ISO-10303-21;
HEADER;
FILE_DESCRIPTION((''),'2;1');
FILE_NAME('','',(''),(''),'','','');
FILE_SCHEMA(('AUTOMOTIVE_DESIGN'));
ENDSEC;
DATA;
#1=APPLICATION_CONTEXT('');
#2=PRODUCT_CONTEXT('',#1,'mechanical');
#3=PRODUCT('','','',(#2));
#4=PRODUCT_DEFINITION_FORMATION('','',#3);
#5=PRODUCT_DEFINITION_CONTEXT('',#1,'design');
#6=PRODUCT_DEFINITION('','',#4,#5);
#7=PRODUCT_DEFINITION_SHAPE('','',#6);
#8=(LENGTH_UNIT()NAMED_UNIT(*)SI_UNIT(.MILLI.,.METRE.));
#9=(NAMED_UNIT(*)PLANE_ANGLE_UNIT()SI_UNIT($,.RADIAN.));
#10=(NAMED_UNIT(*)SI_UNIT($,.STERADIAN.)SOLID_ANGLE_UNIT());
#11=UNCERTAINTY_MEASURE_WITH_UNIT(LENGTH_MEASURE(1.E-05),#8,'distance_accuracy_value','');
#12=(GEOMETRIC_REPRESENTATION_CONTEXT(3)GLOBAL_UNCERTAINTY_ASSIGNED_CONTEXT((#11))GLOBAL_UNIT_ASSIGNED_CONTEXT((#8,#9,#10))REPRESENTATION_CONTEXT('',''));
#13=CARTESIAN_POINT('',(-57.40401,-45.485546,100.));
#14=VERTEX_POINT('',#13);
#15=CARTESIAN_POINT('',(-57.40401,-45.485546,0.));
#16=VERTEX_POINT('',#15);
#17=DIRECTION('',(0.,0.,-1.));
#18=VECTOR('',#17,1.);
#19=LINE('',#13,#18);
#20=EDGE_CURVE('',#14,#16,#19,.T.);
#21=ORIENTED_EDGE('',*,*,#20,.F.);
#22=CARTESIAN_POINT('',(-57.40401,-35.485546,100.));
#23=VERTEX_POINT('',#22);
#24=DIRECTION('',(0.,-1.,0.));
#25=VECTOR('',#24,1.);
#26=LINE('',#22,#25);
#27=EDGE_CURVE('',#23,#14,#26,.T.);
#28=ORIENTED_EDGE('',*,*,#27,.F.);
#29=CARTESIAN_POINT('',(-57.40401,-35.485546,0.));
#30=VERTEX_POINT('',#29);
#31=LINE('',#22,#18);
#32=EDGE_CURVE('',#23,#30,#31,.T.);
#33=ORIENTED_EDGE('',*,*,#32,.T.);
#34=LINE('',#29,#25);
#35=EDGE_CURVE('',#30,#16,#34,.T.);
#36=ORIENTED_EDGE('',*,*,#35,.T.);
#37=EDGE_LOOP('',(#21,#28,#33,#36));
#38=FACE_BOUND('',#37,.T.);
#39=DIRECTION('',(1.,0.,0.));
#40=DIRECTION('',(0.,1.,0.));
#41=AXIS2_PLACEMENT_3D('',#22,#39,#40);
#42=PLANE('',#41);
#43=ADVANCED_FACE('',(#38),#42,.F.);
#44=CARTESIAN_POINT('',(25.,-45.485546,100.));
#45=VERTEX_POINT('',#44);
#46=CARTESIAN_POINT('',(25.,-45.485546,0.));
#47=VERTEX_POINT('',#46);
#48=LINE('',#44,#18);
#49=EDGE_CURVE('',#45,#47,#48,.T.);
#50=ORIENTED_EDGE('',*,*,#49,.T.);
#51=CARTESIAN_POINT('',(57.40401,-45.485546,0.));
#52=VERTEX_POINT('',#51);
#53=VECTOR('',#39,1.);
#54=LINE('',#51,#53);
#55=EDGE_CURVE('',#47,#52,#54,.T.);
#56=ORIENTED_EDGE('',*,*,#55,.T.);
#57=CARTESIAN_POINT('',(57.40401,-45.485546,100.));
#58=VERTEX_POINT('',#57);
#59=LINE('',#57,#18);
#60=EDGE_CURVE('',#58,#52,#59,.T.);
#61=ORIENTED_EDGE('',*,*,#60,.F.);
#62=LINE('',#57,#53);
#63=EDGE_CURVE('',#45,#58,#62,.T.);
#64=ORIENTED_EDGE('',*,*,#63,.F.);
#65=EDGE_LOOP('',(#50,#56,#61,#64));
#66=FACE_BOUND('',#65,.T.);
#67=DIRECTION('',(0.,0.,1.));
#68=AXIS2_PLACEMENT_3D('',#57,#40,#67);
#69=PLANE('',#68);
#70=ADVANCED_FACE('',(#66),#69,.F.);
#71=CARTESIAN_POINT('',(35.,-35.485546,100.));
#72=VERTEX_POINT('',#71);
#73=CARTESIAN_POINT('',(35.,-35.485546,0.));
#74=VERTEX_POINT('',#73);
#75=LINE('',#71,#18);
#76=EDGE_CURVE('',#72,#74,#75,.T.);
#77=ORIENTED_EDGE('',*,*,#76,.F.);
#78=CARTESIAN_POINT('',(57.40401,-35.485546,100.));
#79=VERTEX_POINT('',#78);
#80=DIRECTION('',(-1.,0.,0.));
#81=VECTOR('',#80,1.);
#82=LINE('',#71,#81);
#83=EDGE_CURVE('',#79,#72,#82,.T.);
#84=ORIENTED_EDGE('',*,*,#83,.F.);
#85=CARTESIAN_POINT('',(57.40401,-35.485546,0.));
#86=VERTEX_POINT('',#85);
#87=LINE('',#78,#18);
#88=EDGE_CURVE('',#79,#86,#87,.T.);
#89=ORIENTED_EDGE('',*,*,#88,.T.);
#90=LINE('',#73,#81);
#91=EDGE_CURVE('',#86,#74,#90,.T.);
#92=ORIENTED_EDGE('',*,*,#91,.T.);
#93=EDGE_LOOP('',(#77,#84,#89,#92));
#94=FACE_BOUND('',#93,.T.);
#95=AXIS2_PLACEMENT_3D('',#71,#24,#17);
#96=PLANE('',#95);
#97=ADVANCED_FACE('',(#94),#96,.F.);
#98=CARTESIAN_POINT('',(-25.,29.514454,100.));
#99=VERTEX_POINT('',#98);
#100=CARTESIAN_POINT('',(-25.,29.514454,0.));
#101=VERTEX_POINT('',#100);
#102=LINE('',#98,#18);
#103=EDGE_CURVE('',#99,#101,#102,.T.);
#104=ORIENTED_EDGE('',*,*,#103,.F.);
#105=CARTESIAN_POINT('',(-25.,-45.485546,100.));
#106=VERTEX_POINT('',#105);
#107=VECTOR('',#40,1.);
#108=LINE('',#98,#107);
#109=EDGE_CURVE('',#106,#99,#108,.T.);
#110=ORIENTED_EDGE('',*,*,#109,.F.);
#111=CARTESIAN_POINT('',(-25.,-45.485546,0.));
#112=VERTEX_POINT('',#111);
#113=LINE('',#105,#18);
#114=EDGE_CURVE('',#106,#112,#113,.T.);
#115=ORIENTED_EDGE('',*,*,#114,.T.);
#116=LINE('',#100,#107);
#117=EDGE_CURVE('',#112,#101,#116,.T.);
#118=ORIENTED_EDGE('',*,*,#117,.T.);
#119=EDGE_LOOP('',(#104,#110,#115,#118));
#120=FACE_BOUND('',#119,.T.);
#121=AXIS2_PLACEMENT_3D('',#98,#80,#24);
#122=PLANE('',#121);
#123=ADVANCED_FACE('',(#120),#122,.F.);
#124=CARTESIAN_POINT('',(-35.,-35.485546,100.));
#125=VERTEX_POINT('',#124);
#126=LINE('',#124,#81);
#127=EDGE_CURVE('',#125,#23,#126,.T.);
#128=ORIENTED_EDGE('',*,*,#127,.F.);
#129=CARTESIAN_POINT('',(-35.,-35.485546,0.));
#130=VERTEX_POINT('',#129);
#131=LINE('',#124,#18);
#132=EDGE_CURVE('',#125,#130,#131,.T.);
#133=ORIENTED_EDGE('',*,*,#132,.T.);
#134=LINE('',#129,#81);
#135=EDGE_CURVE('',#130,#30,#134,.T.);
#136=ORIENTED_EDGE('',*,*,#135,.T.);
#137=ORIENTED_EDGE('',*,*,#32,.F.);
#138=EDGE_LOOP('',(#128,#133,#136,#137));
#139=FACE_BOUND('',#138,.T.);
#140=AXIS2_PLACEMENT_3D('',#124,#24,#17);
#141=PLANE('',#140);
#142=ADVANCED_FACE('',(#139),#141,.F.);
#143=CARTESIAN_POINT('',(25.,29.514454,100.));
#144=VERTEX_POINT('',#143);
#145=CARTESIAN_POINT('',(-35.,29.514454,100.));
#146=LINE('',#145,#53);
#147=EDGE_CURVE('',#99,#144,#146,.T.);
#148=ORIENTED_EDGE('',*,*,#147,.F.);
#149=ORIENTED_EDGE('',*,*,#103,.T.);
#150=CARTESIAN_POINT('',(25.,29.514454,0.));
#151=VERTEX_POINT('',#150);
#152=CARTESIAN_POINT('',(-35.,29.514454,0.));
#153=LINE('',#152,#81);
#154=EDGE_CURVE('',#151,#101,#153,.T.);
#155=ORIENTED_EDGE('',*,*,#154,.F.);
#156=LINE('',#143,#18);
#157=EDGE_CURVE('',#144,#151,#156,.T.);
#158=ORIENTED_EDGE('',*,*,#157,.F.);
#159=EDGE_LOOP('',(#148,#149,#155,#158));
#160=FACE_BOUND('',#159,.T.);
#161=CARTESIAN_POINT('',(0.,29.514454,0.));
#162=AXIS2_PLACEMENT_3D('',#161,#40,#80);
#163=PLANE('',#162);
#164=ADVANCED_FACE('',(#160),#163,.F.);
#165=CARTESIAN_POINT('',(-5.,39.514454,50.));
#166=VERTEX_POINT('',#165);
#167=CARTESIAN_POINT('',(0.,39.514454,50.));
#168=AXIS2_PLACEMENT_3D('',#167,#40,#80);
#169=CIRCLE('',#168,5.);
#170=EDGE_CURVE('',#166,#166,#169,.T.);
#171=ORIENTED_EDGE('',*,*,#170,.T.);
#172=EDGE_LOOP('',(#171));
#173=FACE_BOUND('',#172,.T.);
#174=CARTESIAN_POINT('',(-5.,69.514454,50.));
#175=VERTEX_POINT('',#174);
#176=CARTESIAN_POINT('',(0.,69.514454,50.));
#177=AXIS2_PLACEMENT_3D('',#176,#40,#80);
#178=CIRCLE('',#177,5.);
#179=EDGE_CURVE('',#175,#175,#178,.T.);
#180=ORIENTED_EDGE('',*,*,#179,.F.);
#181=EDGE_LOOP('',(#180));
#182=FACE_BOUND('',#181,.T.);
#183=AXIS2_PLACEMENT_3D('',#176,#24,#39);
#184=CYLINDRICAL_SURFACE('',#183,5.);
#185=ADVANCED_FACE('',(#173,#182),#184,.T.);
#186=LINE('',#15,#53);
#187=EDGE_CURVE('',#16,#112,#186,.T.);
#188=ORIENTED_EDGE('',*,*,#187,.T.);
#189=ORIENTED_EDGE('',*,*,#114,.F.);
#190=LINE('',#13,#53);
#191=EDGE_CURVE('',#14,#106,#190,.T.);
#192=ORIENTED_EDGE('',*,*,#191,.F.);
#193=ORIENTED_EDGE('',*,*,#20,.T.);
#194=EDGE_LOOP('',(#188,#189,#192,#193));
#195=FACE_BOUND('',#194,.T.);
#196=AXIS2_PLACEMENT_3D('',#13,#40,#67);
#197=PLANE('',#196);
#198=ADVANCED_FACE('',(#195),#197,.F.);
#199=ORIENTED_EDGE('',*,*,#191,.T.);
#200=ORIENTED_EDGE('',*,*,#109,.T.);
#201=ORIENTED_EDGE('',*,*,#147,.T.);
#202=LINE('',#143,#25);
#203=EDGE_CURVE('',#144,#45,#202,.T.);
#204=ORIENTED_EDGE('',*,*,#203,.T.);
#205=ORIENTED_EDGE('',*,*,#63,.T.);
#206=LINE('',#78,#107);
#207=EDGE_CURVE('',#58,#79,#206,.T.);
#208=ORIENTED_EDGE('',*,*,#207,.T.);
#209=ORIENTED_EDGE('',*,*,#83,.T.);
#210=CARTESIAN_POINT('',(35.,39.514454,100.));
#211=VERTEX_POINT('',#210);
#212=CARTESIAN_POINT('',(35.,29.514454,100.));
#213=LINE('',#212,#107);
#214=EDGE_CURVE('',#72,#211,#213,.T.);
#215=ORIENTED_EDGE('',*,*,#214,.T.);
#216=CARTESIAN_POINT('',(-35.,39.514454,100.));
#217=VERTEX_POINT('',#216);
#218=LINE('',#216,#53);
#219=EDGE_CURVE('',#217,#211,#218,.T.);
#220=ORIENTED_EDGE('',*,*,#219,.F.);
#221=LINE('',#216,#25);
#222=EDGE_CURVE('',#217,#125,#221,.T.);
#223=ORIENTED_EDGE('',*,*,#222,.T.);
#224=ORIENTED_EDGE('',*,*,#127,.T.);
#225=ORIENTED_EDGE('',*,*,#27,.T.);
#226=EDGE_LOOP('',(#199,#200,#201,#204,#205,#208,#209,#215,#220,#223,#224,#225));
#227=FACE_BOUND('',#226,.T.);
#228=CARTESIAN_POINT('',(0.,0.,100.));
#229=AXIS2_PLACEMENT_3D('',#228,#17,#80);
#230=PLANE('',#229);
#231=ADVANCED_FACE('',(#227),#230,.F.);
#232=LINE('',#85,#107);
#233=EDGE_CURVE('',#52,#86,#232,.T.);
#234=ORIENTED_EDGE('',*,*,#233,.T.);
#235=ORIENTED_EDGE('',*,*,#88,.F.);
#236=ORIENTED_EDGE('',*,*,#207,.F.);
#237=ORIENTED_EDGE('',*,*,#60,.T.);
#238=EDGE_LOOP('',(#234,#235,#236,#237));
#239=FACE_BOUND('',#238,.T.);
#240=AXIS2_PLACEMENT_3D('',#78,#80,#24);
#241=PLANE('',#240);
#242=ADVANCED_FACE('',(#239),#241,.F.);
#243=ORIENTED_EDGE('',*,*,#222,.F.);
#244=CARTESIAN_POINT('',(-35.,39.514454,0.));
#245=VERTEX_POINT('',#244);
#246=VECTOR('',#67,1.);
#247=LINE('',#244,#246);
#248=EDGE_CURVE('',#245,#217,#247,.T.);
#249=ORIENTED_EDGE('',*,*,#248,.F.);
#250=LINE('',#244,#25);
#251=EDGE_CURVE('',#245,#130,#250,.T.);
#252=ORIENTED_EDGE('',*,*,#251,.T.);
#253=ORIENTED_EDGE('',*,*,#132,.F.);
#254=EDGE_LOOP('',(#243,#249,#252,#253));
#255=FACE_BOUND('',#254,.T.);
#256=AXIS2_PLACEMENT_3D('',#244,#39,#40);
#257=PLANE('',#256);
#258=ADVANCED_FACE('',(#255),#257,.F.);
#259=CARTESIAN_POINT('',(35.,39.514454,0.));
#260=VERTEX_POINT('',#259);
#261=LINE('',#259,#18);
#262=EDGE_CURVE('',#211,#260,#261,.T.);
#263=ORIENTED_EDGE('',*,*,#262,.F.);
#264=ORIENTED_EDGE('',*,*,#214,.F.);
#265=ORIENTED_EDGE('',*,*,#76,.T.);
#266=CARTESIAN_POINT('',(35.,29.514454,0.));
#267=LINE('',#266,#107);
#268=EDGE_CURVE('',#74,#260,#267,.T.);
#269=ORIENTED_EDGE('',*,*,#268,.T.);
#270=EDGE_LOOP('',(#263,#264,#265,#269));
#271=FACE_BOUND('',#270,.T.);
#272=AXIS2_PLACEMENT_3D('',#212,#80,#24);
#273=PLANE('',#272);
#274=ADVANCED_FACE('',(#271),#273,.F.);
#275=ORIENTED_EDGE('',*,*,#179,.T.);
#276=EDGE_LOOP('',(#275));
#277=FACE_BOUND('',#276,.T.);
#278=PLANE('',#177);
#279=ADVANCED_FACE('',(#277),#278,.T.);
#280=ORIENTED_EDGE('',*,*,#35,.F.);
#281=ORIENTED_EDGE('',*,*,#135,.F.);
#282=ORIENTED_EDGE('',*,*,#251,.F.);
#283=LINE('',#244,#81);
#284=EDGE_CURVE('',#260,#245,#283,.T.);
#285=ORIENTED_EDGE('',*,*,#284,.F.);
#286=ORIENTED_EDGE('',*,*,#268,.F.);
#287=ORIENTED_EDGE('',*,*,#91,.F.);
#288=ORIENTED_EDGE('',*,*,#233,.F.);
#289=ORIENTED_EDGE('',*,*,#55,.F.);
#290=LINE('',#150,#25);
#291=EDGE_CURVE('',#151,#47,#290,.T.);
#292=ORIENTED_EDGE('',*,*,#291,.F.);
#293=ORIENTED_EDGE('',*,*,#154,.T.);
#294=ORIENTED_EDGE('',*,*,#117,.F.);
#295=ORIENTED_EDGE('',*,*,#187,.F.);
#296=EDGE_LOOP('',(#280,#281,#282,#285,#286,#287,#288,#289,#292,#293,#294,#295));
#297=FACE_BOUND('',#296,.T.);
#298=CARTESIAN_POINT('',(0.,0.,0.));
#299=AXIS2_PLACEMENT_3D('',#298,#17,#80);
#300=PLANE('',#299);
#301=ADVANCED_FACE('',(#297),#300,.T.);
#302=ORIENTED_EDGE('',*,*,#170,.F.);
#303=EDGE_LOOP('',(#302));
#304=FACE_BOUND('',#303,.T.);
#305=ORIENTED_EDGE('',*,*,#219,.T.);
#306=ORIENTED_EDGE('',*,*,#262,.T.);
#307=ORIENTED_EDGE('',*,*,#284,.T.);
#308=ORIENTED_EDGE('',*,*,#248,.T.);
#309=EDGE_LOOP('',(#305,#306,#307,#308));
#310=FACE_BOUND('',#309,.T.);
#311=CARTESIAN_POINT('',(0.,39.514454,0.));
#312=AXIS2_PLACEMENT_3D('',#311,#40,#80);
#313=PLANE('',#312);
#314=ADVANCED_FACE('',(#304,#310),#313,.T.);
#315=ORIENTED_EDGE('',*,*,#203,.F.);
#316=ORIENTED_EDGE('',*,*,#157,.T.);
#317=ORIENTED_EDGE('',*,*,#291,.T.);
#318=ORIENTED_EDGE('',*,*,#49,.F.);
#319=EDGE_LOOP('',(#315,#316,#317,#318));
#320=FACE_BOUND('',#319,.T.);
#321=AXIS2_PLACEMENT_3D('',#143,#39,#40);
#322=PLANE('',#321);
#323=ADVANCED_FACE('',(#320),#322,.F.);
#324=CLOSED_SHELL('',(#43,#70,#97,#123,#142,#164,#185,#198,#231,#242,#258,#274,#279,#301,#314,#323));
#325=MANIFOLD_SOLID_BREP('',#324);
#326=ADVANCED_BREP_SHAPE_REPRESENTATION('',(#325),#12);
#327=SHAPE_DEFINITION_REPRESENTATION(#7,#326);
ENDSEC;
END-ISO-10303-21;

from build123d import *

# Parameters (mm, degrees)
BOSS_EXTRUDE1_DEPTH   = 100
BOSS_EXTRUDE1_2_DEPTH = 100
SKETCH2_W             = 70
SKETCH2_H             = 100
BOSS_EXTRUDE2_DEPTH   = 10
SKETCH3_R             = 5
BOSS_EXTRUDE3_DEPTH   = 30


with BuildPart() as part:
    # Sketch1 → Boss-Extrude1 (new body)
    with BuildSketch(Plane.XY):
        Polygon((-57.404010399, -45.485546177), (-25, -45.485546177), (-25, 29.514453823), (-35, 29.514453823), (-35, -35.485546177), (-57.404010399, -35.485546177), align=None)
    extrude(amount=BOSS_EXTRUDE1_DEPTH)



with BuildPart() as body_2:
    # Sketch1 → Boss-Extrude1 2 (new body)
    with BuildSketch(Plane.XY):
        Polygon((25, 29.514453823), (35, 29.514453823), (35, -35.485546177), (57.404010399, -35.485546177), (57.404010399, -45.485546177), (25, -45.485546177), align=None)
    extrude(amount=BOSS_EXTRUDE1_2_DEPTH)


with BuildPart() as part_1:
    add(part.part)

    add(body_2.part)  # Boss-Extrude2 merges body 2
    # Sketch2 → Boss-Extrude2 (add)
    with BuildSketch(Plane(origin=(0, 29.514453823, 0), x_dir=(1, 0, 0), z_dir=(0, 1, 0))):
        with Locations((0, -50)):
            Rectangle(SKETCH2_W, SKETCH2_H)
    extrude(amount=BOSS_EXTRUDE2_DEPTH)

    # Sketch3 → Boss-Extrude3 (add)
    with BuildSketch(Plane(origin=(0, 39.514453823, 0), x_dir=(1, 0, 0), z_dir=(0, 1, 0))):
        with Locations(Location((0, -50, 0), (0, 0, 180))):
            Circle(SKETCH3_R)
    extrude(amount=BOSS_EXTRUDE3_DEPTH)


solid = part_1.part
